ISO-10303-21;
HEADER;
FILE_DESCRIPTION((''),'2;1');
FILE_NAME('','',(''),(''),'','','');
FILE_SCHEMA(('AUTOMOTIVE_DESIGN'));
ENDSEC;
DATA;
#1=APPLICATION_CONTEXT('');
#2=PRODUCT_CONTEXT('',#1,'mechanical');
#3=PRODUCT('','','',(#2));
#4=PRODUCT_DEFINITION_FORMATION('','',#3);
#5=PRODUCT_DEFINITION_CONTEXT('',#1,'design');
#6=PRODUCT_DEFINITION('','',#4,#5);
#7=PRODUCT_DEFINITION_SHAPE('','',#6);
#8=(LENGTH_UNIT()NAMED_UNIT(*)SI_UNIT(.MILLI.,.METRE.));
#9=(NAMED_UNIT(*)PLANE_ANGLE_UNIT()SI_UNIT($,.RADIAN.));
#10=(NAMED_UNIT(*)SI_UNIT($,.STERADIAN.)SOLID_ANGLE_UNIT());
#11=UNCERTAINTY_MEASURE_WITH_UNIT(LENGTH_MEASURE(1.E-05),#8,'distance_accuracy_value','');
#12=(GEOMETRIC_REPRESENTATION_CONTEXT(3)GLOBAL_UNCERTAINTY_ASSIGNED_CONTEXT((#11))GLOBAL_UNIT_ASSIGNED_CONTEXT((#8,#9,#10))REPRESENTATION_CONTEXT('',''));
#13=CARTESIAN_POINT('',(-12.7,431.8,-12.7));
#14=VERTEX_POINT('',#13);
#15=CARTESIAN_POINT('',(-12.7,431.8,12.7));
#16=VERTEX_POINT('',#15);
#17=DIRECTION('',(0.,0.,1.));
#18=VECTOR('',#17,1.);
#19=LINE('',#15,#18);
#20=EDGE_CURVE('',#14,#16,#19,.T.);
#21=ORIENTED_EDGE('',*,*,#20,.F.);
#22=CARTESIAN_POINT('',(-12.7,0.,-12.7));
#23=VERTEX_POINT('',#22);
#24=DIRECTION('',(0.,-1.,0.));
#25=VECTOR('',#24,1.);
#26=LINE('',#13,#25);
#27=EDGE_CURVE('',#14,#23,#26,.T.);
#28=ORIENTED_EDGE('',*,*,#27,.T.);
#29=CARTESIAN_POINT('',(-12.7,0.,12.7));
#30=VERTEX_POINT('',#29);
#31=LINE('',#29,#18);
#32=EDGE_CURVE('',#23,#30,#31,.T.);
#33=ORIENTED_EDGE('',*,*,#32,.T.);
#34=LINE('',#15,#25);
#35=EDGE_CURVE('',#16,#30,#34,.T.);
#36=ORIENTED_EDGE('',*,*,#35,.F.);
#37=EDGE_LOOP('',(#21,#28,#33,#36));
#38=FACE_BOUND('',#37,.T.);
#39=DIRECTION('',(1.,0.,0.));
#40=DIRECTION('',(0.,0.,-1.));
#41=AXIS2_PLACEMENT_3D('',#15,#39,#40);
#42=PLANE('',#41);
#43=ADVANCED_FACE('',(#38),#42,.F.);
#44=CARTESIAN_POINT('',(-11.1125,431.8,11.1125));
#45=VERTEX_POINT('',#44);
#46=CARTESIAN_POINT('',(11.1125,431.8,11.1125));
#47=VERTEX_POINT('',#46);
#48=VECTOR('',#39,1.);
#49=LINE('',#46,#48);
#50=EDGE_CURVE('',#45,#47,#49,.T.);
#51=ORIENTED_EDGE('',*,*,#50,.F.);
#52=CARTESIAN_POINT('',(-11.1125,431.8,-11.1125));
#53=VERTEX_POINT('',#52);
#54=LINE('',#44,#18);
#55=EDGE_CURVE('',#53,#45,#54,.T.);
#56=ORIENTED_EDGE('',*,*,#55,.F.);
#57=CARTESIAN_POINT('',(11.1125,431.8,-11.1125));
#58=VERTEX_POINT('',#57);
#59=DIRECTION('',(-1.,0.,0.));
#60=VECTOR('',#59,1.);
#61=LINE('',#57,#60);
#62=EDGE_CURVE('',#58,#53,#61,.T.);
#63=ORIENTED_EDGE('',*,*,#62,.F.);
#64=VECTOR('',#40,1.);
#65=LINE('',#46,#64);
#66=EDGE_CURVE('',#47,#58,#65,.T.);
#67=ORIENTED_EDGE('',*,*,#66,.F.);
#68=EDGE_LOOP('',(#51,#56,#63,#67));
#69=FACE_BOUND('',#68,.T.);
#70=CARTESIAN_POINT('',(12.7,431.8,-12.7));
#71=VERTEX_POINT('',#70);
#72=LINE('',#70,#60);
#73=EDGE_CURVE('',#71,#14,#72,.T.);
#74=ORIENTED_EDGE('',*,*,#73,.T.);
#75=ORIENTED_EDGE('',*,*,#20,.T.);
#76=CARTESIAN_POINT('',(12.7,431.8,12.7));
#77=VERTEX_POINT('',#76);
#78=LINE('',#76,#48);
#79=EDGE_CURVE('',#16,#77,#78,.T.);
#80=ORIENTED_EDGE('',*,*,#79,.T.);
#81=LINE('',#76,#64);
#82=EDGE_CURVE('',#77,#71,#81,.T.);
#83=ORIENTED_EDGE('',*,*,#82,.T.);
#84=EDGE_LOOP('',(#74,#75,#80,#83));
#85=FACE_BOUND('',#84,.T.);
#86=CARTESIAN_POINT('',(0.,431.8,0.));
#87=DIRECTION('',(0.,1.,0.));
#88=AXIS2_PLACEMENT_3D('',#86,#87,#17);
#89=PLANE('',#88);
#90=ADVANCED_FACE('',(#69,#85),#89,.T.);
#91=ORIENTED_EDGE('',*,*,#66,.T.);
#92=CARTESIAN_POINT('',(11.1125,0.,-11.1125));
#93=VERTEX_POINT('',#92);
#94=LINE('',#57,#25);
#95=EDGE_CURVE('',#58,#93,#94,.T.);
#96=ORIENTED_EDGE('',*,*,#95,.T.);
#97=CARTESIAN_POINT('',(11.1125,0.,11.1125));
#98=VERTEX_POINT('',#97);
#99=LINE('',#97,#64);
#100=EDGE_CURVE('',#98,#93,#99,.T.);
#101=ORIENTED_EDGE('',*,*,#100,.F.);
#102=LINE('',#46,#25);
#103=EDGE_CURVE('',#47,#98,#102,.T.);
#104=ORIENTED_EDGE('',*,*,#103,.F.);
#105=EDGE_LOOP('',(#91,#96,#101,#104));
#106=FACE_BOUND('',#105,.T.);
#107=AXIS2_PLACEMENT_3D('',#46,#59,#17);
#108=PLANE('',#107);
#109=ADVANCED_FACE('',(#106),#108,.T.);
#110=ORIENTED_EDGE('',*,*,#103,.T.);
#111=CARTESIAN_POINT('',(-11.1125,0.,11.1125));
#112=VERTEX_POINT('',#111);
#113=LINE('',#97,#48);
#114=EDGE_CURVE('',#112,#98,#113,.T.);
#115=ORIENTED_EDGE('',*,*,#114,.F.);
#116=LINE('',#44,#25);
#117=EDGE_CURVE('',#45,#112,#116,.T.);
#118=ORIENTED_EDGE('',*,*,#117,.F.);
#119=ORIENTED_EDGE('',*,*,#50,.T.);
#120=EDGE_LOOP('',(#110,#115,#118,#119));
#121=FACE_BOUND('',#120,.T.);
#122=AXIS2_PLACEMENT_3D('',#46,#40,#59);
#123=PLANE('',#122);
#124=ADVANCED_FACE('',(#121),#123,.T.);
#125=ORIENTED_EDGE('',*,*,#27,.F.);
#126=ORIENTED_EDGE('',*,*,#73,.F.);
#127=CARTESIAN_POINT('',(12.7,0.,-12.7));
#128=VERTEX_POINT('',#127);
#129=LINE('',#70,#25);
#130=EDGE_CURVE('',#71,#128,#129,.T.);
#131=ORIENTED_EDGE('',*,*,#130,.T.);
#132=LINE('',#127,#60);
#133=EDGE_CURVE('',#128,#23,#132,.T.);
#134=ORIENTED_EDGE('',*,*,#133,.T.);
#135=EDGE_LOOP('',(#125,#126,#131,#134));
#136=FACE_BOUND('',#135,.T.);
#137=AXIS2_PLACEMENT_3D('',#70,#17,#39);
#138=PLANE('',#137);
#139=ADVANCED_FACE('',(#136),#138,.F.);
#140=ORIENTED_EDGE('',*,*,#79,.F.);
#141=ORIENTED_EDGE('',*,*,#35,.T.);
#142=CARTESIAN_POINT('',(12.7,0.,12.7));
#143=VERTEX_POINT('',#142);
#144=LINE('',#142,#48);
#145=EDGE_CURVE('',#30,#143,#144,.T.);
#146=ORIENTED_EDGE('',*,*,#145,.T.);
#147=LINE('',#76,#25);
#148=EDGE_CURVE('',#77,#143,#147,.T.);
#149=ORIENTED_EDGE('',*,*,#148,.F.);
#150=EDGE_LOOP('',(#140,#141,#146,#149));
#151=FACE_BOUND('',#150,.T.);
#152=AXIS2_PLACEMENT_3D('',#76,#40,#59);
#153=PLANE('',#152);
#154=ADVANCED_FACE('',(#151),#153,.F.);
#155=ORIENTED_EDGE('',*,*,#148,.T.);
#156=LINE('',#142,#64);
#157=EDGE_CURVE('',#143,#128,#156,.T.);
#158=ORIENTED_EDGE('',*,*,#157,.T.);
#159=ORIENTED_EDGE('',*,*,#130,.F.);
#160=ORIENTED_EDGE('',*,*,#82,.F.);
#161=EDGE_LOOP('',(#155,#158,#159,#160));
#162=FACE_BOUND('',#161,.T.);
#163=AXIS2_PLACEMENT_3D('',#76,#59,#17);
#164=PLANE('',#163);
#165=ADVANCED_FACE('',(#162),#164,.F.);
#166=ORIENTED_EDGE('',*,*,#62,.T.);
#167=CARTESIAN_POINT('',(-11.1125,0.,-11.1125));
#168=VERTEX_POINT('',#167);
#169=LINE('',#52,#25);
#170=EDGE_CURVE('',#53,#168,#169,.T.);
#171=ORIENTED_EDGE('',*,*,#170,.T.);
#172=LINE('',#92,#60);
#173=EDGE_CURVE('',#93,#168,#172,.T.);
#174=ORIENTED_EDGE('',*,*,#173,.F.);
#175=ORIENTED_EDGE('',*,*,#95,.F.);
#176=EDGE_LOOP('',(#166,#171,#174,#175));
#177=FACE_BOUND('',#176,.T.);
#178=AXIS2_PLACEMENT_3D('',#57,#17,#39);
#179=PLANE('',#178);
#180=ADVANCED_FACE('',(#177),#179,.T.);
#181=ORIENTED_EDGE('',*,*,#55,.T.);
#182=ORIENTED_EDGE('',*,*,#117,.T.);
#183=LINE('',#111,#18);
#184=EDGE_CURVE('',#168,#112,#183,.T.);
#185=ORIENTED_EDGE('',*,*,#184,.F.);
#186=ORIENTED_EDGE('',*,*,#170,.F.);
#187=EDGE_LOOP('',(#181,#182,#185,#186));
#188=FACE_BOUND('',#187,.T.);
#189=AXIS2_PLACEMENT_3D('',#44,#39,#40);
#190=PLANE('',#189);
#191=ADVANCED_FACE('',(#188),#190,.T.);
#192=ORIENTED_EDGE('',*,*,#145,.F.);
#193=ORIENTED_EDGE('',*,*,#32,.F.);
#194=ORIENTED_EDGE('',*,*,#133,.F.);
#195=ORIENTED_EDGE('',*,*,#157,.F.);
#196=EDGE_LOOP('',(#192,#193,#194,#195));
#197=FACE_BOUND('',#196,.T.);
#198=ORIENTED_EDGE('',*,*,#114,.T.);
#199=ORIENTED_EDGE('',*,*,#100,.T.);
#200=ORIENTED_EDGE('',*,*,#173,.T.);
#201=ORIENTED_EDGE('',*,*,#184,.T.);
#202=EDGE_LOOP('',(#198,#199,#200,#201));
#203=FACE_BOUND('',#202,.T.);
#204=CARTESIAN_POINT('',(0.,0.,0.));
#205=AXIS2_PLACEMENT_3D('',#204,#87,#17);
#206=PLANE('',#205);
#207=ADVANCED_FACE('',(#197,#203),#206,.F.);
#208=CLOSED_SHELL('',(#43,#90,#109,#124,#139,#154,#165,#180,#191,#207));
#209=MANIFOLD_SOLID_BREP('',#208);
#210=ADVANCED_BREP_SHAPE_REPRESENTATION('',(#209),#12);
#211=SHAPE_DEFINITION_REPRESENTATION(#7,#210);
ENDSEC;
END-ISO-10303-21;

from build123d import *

# Parameters (mm, degrees)
SKETCH1_W           = 25.4
SKETCH1_H           = 25.4
SKETCH1_W_2         = 22.225
SKETCH1_H_2         = 22.225
BOSS_EXTRUDE1_DEPTH = 431.8


with BuildPart() as part:
    # Sketch1 → Boss-Extrude1 (new body)
    with BuildSketch(Plane(origin=(0, 0, 0), x_dir=(1, 0, 0), z_dir=(0, 1, 0))):
        Rectangle(SKETCH1_W, SKETCH1_H)
        Rectangle(SKETCH1_W_2, SKETCH1_H_2, mode=Mode.SUBTRACT)
    extrude(amount=BOSS_EXTRUDE1_DEPTH)


solid = part.part
